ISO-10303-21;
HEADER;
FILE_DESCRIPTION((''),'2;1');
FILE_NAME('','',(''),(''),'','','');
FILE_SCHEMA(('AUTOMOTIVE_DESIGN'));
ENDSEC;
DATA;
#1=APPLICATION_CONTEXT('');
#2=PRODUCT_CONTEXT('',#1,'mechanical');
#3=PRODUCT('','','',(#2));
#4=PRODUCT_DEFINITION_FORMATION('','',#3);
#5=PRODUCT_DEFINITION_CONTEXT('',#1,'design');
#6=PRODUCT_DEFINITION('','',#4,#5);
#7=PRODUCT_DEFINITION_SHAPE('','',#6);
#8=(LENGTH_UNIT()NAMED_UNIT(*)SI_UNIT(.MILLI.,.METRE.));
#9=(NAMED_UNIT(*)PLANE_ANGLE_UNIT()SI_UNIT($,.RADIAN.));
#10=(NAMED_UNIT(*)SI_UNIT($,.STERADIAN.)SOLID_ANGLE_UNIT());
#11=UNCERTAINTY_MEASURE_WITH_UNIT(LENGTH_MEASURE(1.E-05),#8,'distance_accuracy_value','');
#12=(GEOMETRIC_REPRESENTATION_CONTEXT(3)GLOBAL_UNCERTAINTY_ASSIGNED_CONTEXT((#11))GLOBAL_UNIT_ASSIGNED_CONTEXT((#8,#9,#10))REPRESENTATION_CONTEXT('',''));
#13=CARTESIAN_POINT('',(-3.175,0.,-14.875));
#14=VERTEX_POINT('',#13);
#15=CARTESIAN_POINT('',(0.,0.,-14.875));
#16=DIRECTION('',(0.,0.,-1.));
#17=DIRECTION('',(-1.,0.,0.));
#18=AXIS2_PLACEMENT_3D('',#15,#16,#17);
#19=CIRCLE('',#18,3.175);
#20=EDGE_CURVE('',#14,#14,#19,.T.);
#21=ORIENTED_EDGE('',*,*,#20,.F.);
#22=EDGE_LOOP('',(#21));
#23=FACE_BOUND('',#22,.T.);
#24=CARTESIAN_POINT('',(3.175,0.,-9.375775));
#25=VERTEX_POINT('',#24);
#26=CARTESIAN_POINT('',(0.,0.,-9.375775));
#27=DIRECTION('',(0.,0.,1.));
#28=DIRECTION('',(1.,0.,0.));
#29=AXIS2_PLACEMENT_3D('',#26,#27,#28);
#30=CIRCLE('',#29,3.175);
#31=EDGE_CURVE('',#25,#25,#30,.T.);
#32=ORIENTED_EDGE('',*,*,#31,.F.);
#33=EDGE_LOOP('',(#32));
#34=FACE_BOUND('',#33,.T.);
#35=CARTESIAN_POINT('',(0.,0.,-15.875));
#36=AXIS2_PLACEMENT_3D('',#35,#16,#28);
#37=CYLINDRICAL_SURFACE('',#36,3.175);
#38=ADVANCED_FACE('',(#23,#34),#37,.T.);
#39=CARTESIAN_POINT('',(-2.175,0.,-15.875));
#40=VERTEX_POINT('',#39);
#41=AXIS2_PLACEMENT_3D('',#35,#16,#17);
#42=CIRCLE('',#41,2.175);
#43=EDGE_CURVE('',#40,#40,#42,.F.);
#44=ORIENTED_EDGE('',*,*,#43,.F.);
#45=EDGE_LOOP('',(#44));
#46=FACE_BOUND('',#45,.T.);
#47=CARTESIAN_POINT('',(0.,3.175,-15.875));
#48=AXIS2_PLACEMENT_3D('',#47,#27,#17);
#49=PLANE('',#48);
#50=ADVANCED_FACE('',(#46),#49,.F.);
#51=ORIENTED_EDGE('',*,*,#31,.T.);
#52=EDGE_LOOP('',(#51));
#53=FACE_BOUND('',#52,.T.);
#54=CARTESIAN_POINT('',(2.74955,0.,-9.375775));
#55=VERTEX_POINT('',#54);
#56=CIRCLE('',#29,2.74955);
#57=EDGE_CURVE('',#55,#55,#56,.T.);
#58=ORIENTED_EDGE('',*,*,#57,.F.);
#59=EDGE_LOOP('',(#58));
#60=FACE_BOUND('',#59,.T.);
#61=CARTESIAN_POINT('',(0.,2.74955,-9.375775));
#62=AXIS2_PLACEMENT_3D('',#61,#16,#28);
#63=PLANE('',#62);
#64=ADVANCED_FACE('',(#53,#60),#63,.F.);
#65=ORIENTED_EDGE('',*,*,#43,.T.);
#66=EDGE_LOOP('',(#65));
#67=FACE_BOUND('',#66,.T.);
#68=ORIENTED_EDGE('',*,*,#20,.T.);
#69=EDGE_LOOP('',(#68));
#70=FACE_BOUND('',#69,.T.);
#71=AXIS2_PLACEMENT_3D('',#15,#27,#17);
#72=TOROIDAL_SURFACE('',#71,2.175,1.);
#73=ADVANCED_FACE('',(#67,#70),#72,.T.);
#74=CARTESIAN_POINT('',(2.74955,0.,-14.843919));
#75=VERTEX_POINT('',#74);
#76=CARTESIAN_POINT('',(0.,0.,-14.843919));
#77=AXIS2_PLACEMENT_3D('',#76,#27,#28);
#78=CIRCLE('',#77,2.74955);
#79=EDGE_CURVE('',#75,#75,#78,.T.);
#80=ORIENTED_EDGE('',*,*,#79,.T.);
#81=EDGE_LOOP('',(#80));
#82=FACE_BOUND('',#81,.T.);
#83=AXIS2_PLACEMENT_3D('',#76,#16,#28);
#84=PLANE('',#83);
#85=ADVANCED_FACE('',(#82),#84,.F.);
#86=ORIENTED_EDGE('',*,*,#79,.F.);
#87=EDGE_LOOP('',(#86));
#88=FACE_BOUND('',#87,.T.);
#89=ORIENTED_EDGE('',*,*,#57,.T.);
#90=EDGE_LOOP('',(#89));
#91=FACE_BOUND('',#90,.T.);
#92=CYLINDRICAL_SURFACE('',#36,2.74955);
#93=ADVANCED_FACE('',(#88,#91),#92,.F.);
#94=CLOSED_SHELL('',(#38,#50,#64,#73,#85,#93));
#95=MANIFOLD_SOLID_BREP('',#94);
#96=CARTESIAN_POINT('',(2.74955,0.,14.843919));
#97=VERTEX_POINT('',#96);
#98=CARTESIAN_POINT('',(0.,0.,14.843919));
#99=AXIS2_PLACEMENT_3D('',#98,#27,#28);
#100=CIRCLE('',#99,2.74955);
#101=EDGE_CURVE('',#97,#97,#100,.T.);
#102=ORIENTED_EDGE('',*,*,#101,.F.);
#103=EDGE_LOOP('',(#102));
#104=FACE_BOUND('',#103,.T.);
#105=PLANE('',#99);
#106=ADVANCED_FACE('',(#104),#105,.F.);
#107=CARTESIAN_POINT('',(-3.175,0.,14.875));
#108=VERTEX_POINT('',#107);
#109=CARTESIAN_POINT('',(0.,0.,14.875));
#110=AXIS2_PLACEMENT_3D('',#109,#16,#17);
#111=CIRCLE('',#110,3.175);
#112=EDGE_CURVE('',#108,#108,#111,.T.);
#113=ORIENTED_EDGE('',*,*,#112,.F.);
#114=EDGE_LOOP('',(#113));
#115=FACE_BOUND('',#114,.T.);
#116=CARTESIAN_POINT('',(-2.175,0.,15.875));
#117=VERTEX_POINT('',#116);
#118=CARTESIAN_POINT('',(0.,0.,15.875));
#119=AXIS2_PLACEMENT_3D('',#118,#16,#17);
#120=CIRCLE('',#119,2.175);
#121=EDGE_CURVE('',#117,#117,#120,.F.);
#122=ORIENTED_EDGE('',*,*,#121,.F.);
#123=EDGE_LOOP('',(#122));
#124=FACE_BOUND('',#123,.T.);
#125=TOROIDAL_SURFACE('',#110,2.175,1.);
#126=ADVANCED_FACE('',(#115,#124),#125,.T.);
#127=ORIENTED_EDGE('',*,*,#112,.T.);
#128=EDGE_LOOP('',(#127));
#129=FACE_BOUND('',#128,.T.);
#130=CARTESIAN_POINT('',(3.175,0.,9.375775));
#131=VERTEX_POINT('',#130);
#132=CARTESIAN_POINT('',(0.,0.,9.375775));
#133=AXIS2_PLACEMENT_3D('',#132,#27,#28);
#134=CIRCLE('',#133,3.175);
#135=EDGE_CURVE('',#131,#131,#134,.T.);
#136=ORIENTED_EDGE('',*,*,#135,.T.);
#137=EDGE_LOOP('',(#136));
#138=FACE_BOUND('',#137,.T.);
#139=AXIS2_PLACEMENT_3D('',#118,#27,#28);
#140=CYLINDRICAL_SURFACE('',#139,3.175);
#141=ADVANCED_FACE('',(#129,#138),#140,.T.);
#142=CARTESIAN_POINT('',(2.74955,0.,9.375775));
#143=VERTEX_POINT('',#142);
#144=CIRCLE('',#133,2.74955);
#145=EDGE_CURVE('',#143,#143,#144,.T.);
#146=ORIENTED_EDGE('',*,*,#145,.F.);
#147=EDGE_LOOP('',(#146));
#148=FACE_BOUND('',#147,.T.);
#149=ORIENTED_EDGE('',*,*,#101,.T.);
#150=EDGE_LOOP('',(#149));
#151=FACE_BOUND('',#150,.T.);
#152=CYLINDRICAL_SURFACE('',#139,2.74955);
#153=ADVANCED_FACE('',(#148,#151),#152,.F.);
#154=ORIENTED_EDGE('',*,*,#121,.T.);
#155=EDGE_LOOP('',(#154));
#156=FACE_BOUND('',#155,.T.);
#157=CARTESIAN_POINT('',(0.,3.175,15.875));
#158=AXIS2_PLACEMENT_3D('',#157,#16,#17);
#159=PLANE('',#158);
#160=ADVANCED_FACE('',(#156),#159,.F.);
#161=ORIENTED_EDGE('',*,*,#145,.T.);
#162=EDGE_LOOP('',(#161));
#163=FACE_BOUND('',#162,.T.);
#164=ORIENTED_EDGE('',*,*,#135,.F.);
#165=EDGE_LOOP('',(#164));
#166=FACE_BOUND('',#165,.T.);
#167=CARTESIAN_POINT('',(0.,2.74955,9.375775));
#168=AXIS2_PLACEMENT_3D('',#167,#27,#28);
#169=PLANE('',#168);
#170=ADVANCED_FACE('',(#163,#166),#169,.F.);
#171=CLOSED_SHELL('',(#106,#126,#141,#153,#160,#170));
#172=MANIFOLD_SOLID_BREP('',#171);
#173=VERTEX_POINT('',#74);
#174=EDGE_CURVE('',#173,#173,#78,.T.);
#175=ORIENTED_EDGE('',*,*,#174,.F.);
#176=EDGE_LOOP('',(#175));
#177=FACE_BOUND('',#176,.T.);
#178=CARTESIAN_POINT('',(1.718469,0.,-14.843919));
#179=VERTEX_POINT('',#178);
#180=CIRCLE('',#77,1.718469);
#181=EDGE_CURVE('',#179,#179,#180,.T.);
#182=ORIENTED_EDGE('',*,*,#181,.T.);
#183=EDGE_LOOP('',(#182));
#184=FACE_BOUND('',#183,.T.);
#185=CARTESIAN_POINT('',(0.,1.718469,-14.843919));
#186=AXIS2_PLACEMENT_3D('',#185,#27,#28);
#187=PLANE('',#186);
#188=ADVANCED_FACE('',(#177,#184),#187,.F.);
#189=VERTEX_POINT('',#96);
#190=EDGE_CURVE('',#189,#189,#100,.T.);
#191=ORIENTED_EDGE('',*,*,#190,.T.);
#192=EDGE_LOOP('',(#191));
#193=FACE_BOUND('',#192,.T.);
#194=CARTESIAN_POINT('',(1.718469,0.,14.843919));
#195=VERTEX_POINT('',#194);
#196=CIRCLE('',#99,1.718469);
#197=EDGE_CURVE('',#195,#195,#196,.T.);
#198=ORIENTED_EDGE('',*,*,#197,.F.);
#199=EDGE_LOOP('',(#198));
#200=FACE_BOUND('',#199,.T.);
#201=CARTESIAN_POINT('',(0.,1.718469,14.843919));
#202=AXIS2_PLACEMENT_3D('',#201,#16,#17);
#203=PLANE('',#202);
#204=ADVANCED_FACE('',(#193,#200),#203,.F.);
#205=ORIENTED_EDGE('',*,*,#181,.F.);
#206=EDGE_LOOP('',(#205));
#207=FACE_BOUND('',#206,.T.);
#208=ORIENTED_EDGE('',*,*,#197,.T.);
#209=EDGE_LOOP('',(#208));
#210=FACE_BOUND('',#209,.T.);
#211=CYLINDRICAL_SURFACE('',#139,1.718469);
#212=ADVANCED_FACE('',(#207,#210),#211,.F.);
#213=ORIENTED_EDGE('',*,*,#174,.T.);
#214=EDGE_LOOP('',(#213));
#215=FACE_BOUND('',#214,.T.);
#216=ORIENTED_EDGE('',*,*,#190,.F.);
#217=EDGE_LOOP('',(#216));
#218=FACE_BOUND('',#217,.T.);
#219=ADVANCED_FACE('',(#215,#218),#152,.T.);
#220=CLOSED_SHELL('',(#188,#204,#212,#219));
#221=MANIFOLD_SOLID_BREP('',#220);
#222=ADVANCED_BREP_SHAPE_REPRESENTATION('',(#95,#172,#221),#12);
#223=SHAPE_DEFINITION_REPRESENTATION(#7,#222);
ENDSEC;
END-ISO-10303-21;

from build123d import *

# Parameters (mm, degrees)
SKETCH3_W = 29.6878375
SKETCH3_H = 1.03108125
FILLET1_R = 1


with BuildPart() as part:
    # Sketch3 → Revolve1 (revolve)
    with BuildSketch(Plane(origin=(0, 0, 0), x_dir=(0, 0, -1), z_dir=(1, 0, 0)), mode=Mode.PRIVATE) as revolve1_sk:
        with Locations((0, 2.234009375)):
            Rectangle(SKETCH3_W, SKETCH3_H)
    revolve(revolve1_sk.sketch.rotate(Axis((0, 0, 15.875), (0, 0, -1)), 90), axis=Axis((0, 0, 15.875), (0, 0, -1)))


with BuildPart() as body_2:
    # Sketch4 → Revolve2 (revolve)
    with BuildSketch(Plane(origin=(0, 0, 0), x_dir=(0, 0, -1), z_dir=(1, 0, 0)), mode=Mode.PRIVATE) as revolve2_sk:
        Polygon((-9.375775, 2.74955), (-9.375775, 3.175), (-15.875, 3.175), (-15.875, 0), (-14.84391875, 0), (-14.84391875, 2.74955), align=None)
    revolve(revolve2_sk.sketch.rotate(Axis((0, 0, 15.875), (0, 0, -1)), 90), axis=Axis((0, 0, 15.875), (0, 0, -1)))

    # Fillet1
    fillet1_edges = [body_2.edges().sort_by_distance(p)[0] for p in [
        (-3.175, 0, 15.875),
    ]]
    fillet(fillet1_edges, radius=FILLET1_R)


with BuildPart() as body_3:
    # Mirror1: mirrored copy
    add(body_2.part.mirror(Plane.XY))


solid = Compound([part.part, body_2.part, body_3.part])
